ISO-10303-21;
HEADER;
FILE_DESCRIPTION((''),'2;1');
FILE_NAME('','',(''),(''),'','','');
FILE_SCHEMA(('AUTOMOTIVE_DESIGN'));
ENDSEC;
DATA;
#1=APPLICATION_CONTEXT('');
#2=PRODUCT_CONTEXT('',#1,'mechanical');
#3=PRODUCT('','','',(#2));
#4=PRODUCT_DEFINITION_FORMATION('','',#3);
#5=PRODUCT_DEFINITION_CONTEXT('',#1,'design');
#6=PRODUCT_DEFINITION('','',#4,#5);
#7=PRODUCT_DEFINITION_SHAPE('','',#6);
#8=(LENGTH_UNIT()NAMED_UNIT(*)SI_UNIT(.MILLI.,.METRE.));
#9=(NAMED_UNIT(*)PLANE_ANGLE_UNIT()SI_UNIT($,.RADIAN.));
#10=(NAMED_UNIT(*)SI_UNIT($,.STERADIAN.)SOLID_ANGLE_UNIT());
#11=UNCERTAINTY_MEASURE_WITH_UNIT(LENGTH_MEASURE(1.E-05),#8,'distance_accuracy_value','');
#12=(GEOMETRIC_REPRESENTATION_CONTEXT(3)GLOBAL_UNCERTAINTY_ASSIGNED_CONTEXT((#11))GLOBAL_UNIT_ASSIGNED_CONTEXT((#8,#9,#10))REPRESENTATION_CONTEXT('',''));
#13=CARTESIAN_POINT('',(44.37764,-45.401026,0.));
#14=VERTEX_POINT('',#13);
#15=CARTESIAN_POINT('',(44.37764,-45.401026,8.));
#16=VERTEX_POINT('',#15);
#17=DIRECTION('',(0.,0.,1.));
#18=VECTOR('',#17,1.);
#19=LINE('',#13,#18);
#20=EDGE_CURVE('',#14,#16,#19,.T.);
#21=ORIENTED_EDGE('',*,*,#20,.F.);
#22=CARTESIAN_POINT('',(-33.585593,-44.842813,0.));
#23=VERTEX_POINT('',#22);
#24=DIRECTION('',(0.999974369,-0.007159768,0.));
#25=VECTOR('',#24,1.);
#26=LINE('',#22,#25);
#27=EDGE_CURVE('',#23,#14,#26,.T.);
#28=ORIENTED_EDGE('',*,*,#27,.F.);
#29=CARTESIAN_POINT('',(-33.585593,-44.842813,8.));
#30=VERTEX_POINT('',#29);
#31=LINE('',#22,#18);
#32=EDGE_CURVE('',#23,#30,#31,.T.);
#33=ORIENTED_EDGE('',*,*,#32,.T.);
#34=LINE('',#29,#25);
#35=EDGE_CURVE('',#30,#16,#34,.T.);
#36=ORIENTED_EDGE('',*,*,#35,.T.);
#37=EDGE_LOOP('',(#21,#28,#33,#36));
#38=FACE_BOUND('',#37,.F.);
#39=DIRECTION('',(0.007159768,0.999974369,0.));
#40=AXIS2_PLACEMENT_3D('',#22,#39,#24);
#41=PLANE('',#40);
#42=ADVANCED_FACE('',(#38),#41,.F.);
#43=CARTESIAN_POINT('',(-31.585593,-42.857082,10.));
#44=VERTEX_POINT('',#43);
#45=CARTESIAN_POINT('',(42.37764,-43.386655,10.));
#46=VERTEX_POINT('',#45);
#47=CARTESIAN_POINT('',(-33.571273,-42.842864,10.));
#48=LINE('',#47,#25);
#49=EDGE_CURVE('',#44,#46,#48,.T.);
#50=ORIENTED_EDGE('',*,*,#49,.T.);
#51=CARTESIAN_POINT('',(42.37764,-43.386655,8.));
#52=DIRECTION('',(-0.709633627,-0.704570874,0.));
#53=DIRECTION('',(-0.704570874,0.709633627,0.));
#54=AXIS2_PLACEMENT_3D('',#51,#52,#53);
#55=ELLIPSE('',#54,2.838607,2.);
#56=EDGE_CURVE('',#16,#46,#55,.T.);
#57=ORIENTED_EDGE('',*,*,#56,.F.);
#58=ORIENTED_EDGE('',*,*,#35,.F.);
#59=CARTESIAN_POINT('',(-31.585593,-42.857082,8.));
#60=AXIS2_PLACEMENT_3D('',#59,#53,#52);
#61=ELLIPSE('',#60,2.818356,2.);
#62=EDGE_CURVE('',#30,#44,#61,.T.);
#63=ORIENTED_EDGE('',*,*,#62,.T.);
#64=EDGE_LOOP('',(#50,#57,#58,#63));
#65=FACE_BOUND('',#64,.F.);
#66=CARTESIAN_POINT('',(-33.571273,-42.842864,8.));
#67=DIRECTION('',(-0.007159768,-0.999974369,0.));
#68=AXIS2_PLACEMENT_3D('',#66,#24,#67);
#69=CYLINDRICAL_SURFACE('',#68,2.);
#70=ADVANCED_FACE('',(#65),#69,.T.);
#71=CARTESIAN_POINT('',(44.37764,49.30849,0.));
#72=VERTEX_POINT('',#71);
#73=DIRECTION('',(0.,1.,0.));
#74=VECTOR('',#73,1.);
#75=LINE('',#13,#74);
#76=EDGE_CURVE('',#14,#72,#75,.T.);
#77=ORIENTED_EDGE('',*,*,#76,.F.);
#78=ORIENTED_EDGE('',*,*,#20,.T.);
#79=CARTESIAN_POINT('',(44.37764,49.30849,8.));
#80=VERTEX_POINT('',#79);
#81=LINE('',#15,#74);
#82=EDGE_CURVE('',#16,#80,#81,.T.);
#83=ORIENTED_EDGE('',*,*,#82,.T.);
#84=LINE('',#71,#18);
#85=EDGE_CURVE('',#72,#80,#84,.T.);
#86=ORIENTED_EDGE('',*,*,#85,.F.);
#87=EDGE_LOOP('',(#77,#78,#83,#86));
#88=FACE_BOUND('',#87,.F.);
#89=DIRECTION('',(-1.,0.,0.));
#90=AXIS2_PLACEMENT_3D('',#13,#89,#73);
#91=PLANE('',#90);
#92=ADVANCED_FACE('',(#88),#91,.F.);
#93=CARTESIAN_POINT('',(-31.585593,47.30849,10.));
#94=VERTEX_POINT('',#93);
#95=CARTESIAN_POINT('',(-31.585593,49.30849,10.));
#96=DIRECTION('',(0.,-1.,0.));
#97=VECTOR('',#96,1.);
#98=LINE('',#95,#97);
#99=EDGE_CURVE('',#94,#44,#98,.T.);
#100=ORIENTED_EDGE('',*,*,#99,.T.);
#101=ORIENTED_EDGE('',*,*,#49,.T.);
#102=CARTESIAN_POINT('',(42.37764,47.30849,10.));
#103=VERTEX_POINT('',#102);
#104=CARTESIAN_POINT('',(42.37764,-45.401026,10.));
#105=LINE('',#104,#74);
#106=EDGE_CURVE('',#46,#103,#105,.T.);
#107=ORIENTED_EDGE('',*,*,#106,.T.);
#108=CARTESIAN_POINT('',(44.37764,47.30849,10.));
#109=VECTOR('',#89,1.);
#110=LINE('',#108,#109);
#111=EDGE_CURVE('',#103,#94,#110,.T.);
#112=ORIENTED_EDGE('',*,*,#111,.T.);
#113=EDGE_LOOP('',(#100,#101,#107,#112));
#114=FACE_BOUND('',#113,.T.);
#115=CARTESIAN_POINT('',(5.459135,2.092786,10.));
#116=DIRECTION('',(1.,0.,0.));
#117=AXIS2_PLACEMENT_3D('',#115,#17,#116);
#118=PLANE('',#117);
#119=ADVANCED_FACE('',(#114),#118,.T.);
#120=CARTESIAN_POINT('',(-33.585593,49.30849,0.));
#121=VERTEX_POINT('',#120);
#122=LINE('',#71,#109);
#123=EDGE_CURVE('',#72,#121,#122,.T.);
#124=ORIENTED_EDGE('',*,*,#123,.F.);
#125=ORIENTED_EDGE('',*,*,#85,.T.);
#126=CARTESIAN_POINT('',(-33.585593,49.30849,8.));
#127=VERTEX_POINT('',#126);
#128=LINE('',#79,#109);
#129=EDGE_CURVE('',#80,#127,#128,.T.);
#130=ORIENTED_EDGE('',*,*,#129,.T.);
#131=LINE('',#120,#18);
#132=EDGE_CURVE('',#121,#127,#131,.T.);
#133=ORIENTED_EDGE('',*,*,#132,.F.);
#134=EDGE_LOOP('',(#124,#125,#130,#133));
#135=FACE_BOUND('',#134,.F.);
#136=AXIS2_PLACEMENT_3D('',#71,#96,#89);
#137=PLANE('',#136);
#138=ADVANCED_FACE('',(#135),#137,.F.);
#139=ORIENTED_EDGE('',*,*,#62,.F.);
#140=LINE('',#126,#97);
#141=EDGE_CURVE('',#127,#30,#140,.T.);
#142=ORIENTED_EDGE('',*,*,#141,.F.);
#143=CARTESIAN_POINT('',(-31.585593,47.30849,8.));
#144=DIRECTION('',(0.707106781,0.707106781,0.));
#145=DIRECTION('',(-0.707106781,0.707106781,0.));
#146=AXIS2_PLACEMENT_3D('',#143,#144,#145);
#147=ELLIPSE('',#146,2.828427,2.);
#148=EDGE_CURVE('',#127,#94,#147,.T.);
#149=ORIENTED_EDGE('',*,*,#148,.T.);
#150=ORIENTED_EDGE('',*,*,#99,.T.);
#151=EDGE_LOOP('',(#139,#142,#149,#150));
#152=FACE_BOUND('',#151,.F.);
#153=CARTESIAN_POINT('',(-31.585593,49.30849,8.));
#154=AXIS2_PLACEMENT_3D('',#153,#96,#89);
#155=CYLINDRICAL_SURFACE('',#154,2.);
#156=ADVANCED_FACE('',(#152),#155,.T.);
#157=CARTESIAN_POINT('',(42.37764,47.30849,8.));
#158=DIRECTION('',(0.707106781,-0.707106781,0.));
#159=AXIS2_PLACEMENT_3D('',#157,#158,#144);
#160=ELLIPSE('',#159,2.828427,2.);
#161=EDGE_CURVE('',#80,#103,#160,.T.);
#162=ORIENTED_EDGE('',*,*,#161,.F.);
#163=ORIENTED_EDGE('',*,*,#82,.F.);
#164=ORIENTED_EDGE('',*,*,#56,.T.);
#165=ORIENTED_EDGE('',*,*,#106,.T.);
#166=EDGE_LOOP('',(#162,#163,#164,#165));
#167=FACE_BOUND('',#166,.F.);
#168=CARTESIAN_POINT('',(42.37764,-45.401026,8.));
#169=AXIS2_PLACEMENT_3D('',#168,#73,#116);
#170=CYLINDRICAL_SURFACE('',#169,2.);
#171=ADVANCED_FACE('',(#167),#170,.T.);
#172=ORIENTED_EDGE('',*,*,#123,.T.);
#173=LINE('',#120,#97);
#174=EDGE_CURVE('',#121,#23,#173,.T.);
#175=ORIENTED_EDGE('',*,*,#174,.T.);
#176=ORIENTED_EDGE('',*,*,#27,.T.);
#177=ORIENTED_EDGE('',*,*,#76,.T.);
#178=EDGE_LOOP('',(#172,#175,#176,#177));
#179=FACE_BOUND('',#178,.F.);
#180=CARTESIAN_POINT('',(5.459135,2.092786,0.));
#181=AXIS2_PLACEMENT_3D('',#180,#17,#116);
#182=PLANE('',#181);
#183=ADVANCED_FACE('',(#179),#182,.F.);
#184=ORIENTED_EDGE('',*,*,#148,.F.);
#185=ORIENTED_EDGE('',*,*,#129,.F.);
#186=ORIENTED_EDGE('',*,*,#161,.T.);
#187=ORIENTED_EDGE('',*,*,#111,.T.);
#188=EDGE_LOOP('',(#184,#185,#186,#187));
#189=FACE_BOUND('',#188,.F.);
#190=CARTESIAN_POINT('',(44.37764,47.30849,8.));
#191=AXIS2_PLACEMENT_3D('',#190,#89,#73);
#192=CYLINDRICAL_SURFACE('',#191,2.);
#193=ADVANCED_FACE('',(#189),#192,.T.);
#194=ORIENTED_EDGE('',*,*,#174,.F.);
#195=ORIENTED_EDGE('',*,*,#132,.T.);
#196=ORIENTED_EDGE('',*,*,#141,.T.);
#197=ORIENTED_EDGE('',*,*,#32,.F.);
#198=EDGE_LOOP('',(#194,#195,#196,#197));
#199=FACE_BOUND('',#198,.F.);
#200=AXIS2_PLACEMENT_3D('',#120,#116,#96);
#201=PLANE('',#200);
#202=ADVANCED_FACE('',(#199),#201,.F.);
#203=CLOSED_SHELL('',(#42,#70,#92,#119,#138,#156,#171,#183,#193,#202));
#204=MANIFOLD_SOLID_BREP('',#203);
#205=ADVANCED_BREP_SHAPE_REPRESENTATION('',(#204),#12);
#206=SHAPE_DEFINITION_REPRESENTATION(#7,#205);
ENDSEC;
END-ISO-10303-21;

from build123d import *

# Parameters (mm, degrees)
F1_DEPTH = 10
F2_R     = 2


with BuildPart() as f1:
    # F0 (on Top) → F1 (new body)
    with BuildSketch(Plane.XY):
        Polygon((-33.585593, 49.30849), (-33.585593, -44.842813), (44.37764, -45.401026), (44.37764, 49.30849), align=None)
    extrude(amount=F1_DEPTH)

    # F2
    f2_edges = [f1.edges().sort_by_distance(p)[0] for p in [
        (44.37764, 1.953732, 10),
        (5.396023, 49.30849, 10),
        (-33.585593, 2.232838, 10),
        (5.396023, -45.121919, 10),
    ]]
    fillet(f2_edges, radius=F2_R)


solid = f1.part
